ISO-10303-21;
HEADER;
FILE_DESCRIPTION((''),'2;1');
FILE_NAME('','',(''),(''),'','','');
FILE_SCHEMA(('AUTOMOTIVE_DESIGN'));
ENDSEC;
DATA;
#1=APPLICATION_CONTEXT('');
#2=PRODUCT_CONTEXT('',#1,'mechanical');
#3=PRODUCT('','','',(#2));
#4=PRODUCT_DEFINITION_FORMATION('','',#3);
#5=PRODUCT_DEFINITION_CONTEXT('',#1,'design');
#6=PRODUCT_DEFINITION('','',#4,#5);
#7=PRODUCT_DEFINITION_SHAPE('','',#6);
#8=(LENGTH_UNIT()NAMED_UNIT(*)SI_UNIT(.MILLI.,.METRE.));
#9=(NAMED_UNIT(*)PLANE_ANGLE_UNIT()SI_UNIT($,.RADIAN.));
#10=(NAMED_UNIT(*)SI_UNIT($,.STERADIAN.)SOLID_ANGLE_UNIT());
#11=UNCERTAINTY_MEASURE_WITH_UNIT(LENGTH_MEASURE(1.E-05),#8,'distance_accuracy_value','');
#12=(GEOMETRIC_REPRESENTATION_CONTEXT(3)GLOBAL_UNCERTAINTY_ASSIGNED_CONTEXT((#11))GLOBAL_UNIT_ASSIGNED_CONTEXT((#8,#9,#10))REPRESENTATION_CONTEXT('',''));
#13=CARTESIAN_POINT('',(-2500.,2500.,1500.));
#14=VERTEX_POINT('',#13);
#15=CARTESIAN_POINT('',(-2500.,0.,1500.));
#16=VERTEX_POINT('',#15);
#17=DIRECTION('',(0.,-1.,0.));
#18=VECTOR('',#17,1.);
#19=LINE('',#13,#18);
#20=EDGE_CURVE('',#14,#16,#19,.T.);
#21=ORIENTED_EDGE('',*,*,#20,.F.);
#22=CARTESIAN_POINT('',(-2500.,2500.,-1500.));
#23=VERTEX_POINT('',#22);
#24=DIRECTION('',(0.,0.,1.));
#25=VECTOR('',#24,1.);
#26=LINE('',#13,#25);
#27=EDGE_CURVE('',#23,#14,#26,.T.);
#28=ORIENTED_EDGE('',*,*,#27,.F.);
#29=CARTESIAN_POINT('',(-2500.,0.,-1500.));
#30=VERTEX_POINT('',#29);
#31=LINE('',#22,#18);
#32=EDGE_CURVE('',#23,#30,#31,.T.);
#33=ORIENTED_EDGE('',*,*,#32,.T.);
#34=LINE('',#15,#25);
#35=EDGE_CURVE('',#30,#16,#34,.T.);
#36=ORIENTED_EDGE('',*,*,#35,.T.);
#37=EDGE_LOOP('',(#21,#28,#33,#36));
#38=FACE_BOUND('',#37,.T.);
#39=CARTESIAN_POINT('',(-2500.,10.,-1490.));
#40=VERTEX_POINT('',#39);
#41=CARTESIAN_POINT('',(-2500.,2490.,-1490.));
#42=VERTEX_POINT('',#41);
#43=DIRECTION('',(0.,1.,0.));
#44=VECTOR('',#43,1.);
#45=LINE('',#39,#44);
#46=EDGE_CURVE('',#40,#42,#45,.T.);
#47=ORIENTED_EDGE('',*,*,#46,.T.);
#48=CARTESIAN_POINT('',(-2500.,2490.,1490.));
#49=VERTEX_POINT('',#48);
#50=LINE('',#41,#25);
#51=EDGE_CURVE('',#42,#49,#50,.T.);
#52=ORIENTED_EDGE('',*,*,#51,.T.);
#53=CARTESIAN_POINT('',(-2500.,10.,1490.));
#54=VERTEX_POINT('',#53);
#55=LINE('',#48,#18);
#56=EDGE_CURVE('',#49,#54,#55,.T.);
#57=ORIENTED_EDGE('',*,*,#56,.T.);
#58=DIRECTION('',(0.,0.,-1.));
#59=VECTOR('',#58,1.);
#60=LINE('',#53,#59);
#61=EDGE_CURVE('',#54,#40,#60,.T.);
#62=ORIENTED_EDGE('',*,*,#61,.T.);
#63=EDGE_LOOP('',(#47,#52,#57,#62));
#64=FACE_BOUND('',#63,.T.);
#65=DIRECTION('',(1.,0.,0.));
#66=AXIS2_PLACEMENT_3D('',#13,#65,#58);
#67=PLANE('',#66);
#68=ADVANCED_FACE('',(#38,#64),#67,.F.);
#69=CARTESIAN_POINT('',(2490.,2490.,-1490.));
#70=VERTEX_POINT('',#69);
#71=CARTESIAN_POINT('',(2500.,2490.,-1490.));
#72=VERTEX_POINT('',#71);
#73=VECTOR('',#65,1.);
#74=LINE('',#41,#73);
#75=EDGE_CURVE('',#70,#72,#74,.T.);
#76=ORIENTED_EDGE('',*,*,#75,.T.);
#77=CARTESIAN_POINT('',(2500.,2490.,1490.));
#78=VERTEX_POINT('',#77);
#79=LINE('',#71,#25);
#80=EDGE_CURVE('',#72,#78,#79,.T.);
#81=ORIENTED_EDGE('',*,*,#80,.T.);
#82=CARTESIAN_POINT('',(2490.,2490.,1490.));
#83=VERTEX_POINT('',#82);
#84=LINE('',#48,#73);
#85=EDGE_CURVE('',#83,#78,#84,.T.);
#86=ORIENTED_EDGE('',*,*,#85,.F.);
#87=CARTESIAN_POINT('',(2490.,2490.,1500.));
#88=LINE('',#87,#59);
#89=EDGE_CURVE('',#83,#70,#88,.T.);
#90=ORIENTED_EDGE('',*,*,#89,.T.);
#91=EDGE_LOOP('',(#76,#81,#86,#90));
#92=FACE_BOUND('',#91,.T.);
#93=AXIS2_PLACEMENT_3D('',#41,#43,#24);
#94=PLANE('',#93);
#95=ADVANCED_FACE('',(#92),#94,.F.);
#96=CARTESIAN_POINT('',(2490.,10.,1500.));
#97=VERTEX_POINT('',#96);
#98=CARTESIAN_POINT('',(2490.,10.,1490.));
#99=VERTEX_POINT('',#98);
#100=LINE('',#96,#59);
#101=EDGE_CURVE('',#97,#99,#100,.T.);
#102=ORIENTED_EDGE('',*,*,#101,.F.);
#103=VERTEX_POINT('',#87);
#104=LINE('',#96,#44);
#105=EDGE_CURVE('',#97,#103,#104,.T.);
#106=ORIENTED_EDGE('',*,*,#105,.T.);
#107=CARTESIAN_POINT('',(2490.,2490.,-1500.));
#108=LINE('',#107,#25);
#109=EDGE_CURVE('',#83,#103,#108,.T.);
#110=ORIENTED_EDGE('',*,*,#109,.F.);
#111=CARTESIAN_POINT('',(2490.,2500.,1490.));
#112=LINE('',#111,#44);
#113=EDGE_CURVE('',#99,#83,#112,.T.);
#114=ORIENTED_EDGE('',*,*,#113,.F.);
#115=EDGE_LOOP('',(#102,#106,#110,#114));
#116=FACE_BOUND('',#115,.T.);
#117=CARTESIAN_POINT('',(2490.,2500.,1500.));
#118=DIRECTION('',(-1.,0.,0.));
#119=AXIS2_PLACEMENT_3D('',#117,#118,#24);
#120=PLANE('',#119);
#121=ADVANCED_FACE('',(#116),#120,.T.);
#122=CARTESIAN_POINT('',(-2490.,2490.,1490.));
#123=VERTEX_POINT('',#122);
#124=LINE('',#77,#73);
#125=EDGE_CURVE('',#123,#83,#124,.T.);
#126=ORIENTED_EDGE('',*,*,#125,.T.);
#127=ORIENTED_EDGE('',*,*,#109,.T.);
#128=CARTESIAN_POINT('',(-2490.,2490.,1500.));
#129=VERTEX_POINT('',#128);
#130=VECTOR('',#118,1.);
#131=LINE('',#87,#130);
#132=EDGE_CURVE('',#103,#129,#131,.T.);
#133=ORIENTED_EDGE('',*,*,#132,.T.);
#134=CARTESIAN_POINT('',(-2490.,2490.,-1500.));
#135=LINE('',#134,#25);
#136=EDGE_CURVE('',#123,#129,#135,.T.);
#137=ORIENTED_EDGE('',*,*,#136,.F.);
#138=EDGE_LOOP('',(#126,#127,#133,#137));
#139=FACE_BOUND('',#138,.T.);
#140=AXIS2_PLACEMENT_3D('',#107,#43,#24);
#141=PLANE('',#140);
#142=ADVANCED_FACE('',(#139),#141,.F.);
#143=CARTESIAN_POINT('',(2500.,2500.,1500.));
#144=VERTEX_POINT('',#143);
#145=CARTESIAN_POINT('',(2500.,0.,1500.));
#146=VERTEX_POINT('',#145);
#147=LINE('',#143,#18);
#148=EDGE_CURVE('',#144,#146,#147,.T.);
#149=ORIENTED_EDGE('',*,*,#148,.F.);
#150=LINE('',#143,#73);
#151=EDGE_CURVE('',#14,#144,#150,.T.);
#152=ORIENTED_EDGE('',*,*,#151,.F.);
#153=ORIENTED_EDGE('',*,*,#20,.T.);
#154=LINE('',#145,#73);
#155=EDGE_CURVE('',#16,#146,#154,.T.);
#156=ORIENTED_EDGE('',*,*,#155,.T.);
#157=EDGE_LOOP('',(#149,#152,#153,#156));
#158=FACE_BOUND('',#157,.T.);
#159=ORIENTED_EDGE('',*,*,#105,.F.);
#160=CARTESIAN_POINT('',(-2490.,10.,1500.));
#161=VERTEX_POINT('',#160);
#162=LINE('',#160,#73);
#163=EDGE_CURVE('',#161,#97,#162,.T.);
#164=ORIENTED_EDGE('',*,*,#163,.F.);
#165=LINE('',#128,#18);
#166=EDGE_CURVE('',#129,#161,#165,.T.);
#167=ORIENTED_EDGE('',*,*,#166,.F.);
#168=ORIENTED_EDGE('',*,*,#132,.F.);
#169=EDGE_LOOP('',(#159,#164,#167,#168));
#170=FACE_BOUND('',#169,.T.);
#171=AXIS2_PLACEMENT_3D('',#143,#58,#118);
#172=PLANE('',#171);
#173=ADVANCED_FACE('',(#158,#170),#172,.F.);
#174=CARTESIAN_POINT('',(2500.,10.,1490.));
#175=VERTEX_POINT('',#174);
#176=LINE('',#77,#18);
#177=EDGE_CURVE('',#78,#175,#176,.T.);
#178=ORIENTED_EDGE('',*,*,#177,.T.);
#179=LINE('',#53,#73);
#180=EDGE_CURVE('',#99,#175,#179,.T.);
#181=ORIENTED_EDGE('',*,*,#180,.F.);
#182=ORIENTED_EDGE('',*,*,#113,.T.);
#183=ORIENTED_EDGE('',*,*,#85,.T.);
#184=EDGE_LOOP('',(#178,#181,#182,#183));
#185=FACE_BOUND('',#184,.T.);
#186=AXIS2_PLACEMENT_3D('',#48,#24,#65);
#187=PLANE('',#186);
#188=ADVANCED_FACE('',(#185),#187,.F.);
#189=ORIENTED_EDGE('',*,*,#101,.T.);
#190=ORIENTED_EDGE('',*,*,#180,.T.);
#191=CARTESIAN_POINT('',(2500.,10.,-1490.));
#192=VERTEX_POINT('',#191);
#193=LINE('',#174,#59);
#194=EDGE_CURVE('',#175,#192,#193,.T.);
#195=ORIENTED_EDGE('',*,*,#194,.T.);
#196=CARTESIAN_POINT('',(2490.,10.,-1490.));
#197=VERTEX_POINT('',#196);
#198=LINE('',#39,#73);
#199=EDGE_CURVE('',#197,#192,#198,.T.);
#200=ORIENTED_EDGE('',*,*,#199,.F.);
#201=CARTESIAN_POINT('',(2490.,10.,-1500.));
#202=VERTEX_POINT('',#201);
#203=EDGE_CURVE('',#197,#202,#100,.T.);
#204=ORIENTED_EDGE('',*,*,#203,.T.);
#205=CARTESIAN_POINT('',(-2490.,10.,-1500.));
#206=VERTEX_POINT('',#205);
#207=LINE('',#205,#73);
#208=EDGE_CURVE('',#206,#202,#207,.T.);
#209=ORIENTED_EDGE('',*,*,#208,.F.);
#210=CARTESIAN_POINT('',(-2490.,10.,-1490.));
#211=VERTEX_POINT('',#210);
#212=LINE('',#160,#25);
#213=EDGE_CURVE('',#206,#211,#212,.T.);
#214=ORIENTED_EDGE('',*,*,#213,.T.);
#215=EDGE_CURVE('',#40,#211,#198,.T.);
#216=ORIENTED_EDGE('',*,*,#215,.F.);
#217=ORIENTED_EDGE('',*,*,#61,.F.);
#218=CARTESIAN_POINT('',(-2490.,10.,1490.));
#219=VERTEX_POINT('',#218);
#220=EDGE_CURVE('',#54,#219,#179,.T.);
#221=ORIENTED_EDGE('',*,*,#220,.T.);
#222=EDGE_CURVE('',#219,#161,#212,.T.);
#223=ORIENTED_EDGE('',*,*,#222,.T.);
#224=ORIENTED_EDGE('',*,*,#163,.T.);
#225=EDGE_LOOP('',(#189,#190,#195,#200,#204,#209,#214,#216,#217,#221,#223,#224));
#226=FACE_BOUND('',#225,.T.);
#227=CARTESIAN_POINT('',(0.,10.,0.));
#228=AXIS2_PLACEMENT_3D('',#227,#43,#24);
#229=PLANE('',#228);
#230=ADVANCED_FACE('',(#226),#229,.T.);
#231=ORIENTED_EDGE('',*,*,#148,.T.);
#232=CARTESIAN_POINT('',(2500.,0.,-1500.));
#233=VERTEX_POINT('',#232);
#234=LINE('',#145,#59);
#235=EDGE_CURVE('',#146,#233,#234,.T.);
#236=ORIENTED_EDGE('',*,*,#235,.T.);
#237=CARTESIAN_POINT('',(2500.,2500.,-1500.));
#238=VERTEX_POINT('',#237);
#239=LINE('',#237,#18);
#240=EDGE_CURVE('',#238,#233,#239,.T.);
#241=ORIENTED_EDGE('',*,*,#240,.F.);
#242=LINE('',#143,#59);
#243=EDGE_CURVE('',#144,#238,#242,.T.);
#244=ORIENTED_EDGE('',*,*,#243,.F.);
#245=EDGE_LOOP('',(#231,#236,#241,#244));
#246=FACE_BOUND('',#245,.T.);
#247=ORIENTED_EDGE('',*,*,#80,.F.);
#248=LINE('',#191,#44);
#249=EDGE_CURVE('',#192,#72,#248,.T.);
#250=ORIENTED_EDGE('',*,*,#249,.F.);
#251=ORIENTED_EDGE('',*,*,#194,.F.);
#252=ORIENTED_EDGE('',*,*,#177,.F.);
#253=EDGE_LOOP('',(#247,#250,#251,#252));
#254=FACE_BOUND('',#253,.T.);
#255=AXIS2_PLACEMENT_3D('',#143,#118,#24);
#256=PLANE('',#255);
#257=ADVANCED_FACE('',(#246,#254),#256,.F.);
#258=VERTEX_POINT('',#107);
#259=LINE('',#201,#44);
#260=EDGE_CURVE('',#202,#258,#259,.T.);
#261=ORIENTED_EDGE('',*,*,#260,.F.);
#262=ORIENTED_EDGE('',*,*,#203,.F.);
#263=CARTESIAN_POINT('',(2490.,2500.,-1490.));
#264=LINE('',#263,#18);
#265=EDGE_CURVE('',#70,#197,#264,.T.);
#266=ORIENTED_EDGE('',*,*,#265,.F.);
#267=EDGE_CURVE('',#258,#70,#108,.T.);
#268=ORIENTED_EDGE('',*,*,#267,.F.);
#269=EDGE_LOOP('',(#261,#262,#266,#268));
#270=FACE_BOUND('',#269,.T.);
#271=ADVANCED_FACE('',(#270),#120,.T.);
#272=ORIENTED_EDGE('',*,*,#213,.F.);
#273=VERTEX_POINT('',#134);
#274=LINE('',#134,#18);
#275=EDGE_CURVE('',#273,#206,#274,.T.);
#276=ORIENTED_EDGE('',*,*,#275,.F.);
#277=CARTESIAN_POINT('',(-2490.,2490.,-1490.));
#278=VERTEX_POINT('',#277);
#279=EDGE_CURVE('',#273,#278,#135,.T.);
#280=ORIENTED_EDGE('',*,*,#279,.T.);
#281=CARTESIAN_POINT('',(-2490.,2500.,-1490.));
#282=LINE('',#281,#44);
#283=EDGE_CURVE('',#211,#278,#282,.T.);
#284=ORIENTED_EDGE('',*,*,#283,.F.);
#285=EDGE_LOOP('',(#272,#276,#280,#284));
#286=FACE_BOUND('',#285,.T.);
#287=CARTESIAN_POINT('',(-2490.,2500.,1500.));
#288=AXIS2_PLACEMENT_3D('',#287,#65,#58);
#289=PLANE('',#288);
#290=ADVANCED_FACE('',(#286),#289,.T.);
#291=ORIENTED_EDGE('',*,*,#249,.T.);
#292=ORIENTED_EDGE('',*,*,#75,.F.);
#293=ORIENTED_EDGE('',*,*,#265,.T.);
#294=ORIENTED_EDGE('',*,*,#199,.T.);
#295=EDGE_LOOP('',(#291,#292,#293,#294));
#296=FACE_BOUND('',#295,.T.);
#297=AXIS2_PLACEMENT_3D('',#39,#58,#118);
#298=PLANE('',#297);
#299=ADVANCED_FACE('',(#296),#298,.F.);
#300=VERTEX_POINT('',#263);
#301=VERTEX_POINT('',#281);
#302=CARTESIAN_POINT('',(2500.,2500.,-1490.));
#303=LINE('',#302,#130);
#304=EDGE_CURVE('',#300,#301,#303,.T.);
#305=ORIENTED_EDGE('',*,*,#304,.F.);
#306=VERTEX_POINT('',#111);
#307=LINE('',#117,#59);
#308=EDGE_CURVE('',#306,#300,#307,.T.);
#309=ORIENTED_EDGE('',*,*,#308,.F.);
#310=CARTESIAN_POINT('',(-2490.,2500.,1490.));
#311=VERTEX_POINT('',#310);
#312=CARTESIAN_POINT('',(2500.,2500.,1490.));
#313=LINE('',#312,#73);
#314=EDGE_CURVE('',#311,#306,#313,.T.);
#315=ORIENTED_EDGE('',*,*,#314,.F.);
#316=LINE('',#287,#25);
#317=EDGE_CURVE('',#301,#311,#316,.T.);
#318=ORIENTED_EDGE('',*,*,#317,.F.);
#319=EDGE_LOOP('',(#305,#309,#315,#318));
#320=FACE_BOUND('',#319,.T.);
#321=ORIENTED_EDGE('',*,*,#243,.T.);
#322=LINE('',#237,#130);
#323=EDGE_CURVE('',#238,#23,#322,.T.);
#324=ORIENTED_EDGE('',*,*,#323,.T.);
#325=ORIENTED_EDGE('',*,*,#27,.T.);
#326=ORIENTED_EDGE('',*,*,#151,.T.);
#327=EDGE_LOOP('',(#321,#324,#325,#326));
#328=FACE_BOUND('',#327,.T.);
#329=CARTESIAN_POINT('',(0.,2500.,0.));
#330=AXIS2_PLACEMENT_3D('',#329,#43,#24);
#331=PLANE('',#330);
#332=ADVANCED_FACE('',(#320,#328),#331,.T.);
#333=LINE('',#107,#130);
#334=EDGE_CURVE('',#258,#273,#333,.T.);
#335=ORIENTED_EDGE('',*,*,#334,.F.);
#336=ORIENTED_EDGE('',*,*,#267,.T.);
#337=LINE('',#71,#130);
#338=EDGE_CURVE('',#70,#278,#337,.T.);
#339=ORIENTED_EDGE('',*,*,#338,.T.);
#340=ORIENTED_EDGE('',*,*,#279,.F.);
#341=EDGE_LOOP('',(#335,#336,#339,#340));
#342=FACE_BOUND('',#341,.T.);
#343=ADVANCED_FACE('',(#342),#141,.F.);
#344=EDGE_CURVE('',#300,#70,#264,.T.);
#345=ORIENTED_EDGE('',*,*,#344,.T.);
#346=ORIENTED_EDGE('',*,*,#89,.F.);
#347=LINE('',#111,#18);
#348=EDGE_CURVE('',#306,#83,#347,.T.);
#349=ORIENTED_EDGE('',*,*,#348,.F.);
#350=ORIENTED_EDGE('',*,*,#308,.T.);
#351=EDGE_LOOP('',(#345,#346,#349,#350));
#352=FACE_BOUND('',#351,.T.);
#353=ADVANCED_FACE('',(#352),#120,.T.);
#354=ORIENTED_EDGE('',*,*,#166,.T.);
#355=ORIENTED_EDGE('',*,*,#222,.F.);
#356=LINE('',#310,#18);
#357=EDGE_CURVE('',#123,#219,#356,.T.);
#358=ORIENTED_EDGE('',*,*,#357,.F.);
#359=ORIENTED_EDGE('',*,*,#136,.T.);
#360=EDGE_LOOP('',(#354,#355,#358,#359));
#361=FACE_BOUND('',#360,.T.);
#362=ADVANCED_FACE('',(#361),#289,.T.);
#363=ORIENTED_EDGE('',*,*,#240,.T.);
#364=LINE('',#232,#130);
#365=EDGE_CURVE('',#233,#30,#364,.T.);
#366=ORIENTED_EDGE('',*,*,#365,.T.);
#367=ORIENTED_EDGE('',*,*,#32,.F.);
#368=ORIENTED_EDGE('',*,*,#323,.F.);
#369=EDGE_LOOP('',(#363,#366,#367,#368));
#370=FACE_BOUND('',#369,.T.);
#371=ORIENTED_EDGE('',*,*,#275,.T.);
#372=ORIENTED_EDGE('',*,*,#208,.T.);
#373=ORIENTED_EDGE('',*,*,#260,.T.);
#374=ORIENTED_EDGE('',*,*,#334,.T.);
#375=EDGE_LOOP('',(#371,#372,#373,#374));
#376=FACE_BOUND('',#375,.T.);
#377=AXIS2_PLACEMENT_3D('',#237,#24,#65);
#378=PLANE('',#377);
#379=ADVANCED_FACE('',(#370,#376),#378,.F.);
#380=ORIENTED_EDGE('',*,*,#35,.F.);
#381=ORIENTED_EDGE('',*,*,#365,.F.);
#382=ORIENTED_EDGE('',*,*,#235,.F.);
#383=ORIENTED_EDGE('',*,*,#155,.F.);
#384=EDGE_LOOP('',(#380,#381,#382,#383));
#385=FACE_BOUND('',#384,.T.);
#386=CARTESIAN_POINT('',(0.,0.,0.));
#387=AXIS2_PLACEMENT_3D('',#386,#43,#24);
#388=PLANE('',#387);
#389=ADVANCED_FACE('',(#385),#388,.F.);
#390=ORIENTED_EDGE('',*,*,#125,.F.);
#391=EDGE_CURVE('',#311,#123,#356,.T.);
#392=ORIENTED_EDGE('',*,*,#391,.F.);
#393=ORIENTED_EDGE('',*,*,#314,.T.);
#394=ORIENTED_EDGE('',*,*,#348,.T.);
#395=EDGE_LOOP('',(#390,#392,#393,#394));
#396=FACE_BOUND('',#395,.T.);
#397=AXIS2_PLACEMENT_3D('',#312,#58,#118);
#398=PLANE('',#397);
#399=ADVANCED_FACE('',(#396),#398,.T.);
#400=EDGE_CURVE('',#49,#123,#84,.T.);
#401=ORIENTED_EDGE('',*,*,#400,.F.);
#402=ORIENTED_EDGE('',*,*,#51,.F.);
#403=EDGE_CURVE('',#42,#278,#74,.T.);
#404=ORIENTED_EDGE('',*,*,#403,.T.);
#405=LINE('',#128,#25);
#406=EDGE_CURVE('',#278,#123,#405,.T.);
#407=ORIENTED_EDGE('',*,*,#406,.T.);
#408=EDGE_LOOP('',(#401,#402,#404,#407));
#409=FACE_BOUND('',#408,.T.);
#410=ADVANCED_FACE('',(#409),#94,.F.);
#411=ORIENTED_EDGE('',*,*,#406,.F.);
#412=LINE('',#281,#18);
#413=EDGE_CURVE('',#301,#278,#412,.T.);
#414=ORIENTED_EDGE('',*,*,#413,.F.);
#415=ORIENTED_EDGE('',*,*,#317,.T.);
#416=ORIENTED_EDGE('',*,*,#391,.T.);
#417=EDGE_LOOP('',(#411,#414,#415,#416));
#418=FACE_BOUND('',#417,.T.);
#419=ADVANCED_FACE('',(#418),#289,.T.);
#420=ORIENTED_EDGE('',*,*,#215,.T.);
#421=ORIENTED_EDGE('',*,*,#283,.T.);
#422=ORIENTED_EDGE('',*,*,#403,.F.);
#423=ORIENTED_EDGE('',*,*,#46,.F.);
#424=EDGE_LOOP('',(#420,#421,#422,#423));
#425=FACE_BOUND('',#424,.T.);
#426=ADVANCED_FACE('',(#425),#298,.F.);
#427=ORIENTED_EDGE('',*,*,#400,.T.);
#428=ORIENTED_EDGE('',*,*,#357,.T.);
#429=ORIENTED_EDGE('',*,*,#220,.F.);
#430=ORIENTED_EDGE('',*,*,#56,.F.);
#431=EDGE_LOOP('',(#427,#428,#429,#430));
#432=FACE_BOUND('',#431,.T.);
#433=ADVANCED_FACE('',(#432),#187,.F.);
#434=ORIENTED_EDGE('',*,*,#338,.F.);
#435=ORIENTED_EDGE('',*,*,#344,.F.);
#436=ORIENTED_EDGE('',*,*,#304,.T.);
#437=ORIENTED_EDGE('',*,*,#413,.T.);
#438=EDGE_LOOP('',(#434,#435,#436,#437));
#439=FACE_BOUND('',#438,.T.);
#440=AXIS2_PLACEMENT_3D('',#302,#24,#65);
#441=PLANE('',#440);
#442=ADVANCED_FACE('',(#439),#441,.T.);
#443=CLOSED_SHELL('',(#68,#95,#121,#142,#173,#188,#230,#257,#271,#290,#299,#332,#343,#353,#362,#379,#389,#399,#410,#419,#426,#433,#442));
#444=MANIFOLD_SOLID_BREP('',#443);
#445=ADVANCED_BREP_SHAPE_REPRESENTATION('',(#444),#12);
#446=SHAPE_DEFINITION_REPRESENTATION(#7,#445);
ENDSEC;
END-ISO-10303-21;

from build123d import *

# Parameters (mm, degrees)
SKETCH_1_W          = 5000
SKETCH_1_H          = 3000
EXTRUDE_1_DEPTH     = 2500
SHELL_1_T           = -10
SKETCH_4_W          = 4980
SKETCH_4_H          = 2480
CUT_EXTRUDE_5_DEPTH = 4637.809247748
SKETCH_5_W          = 2980
SKETCH_5_H          = 2480
CUT_EXTRUDE_6_DEPTH = 5788.918451395


with BuildPart() as part:
    # 草图1 → 凸台-拉伸1 (new body)
    with BuildSketch(Plane(origin=(0, 0, 0), x_dir=(1, 0, 0), z_dir=(0, 1, 0))):
        Rectangle(SKETCH_1_W, SKETCH_1_H)
    extrude(amount=EXTRUDE_1_DEPTH)

    # 抽壳1
    shell_1_openings = [part.faces().sort_by_distance(p)[0] for p in [
        (0, 2500, 0),
    ]]
    offset(amount=SHELL_1_T, openings=shell_1_openings, kind=Kind.INTERSECTION)

    # 草图4 → 切除-拉伸5 (cut, through all)
    with BuildSketch(Plane.XY.offset(1500)):
        with Locations((0, 1250)):
            Rectangle(SKETCH_4_W, SKETCH_4_H)
    extrude(amount=-CUT_EXTRUDE_5_DEPTH, mode=Mode.SUBTRACT)

    # 草图5 → 切除-拉伸6 (cut, through all)
    with BuildSketch(Plane(origin=(2500, 0, 0), x_dir=(0, 0, -1), z_dir=(1, 0, 0))):
        with Locations((0, 1250)):
            Rectangle(SKETCH_5_W, SKETCH_5_H)
    extrude(amount=-CUT_EXTRUDE_6_DEPTH, mode=Mode.SUBTRACT)


solid = part.part
